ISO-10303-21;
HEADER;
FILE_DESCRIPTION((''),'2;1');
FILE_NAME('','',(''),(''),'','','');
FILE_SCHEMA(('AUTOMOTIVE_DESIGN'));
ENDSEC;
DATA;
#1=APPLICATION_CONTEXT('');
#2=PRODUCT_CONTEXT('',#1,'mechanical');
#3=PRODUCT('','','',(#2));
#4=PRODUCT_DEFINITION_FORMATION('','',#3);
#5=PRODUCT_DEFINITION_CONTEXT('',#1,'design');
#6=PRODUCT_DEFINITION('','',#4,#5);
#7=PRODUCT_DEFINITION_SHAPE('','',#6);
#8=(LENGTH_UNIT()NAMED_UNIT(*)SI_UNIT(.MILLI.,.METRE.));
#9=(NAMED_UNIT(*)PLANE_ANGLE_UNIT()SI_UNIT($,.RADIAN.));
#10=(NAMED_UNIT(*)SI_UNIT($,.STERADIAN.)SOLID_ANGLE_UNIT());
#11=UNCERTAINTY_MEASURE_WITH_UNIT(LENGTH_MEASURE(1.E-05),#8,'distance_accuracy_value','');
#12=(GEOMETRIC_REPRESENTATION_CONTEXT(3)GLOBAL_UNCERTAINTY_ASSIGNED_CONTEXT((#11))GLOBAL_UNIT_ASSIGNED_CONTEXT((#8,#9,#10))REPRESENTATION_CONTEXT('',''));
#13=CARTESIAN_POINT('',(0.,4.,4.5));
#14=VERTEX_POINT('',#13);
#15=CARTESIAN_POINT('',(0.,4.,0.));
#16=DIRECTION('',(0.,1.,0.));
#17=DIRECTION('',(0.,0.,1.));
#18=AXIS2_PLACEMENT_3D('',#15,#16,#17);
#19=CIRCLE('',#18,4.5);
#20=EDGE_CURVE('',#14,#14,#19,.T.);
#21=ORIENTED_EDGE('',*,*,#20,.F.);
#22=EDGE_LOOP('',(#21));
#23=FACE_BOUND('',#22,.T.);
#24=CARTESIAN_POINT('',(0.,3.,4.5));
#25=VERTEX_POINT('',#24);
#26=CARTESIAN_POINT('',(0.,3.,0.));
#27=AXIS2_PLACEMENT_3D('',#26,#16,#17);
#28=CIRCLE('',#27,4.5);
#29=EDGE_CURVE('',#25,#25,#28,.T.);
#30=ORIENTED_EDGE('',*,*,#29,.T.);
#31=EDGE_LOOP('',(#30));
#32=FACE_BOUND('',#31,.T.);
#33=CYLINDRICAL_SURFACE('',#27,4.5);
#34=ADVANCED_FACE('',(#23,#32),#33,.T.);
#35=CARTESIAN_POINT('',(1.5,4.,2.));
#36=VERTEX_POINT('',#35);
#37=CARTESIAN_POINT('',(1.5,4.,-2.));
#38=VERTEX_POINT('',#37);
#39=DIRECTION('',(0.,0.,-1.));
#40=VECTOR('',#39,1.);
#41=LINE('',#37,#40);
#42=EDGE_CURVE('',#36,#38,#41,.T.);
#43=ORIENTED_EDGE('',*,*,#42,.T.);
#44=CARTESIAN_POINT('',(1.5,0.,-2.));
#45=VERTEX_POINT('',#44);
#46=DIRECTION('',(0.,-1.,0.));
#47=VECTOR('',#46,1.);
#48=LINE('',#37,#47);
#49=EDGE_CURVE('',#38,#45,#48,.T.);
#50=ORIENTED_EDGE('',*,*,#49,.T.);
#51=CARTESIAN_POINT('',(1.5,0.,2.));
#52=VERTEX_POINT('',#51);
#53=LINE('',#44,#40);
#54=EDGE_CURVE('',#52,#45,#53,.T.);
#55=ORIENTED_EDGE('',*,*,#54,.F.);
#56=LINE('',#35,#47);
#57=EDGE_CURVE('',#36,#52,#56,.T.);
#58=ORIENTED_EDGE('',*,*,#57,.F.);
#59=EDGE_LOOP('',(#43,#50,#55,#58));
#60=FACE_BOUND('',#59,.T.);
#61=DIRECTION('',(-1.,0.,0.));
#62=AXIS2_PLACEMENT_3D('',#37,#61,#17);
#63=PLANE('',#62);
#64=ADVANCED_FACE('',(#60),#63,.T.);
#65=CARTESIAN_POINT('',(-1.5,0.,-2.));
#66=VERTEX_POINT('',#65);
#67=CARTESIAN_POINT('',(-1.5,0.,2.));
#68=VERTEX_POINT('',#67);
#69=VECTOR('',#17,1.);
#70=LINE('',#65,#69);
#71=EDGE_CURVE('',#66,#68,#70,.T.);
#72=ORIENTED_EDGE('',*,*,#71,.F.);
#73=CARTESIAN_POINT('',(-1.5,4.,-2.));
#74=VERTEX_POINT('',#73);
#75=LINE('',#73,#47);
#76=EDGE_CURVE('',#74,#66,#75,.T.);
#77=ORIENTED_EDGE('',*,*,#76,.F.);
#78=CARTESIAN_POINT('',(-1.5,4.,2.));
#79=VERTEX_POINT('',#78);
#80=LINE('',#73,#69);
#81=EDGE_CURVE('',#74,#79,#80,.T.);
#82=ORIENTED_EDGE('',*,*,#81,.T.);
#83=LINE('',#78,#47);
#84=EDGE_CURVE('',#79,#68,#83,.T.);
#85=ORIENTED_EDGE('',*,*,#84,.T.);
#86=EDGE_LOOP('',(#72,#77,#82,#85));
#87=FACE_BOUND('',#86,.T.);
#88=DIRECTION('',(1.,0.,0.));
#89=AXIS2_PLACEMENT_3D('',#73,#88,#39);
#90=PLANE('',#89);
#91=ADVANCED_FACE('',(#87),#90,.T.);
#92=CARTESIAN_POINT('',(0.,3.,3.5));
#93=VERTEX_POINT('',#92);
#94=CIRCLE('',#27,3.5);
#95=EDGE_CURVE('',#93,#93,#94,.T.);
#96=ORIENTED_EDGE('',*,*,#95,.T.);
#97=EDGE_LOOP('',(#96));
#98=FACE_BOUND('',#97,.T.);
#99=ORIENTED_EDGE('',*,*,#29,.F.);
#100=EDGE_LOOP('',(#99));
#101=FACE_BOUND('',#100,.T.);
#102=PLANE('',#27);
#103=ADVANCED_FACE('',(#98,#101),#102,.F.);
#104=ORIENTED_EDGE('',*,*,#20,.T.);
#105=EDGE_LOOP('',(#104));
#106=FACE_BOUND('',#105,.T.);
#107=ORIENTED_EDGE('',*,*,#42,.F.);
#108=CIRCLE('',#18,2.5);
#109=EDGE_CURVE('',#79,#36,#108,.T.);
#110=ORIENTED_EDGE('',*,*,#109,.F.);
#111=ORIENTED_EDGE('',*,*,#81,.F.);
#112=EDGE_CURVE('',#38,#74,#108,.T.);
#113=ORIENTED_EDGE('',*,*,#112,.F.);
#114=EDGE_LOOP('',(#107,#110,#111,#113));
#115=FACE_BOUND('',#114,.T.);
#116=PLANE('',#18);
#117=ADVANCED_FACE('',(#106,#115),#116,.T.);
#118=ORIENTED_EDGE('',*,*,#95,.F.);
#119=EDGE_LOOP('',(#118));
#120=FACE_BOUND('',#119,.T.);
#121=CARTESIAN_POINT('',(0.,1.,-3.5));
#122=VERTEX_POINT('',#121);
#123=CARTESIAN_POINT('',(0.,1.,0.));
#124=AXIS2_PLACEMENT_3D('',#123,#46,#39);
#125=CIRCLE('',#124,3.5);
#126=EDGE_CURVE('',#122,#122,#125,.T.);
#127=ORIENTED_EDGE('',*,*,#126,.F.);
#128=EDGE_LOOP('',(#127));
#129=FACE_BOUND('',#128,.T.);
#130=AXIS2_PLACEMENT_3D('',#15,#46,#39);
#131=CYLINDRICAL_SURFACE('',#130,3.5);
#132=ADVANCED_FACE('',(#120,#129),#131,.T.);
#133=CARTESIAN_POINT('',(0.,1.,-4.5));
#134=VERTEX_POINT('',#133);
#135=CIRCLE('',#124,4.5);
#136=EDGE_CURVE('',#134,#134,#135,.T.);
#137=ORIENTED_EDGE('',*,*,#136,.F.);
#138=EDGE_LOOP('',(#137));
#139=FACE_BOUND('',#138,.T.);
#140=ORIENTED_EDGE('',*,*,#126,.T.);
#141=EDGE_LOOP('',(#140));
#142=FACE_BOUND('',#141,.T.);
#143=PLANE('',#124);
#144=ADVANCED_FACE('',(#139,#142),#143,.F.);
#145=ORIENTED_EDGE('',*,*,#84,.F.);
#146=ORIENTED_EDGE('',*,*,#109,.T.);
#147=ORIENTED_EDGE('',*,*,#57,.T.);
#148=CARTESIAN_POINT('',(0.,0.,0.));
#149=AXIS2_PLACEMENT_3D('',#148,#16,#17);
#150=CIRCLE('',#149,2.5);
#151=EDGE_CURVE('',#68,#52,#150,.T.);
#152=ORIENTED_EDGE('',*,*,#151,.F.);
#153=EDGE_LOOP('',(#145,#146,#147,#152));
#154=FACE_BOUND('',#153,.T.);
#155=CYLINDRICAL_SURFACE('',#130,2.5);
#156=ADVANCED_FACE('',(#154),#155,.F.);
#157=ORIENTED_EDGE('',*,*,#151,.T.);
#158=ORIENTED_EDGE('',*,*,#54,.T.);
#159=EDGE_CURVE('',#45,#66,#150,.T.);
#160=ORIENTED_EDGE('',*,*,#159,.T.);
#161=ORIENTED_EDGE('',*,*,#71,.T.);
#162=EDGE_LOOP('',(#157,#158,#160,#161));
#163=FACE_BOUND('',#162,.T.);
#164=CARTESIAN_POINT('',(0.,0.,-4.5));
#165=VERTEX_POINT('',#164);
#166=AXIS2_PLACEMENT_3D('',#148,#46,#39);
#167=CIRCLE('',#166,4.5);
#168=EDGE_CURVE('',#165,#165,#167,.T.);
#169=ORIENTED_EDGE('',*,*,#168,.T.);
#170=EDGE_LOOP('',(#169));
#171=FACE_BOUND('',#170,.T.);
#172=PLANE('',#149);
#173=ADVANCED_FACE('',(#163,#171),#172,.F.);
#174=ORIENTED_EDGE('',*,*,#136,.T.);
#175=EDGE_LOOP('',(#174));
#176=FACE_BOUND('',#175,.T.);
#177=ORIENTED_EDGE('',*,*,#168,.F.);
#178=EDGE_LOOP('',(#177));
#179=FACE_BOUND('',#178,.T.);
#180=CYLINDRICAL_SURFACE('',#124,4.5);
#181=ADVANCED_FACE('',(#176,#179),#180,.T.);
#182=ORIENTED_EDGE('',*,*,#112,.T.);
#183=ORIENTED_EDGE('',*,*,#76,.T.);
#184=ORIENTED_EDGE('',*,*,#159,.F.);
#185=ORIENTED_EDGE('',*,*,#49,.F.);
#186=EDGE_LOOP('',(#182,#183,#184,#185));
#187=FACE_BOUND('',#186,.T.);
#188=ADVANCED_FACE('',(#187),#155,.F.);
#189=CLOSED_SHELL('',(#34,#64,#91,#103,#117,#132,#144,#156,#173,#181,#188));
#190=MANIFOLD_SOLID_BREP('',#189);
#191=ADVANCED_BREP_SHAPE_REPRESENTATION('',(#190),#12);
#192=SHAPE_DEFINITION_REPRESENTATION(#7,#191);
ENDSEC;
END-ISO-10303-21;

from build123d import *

# Parameters (mm, degrees)
SKETCH1_R           = 3.5
BOSS_EXTRUDE1_DEPTH = 4
BOSS_EXTRUDE2_START = -1
SKETCH2_R           = 4.5
SKETCH2_R_2         = 3.5
BOSS_EXTRUDE2_DEPTH = 1
SKETCH3_R           = 4.5
SKETCH3_R_2         = 3.5
BOSS_EXTRUDE4_DEPTH = 1


with BuildPart() as part:
    # Sketch1 → Boss-Extrude1 (new body)
    with BuildSketch(Plane(origin=(0, 0, 0), x_dir=(1, 0, 0), z_dir=(0, 1, 0))):
        with Locations(Location((0, 0, 0), (0, 0, 270))):
            Circle(SKETCH1_R)
        with BuildLine():
            Line((-1.5, 2), (-1.5, -2))
            ThreePointArc((-1.5, -2), (0, -2.5), (1.5, -2))
            Line((1.5, -2), (1.5, 2))
            ThreePointArc((1.5, 2), (0, 2.5), (-1.5, 2))
        make_face(mode=Mode.SUBTRACT)
    extrude(amount=BOSS_EXTRUDE1_DEPTH)

    # Sketch2 → Boss-Extrude2 (add)
    with BuildSketch(Plane(origin=(0, 4, 0), x_dir=(1, 0, 0), z_dir=(0, 1, 0)).offset(BOSS_EXTRUDE2_START)):
        with Locations(Location((0, 0, 0), (0, 0, 270))):
            Circle(SKETCH2_R)
        with Locations(Location((0, 0, 0), (0, 0, 270))):
            Circle(SKETCH2_R_2, mode=Mode.SUBTRACT)
    extrude(amount=BOSS_EXTRUDE2_DEPTH)

    # Sketch3 → Boss-Extrude4 (add)
    with BuildSketch(Plane.XZ):
        with Locations(Location((0, 0, 0), (0, 0, 90))):
            Circle(SKETCH3_R)
        with Locations(Location((0, 0, 0), (0, 0, 270))):
            Circle(SKETCH3_R_2, mode=Mode.SUBTRACT)
    extrude(amount=-BOSS_EXTRUDE4_DEPTH)


solid = part.part
